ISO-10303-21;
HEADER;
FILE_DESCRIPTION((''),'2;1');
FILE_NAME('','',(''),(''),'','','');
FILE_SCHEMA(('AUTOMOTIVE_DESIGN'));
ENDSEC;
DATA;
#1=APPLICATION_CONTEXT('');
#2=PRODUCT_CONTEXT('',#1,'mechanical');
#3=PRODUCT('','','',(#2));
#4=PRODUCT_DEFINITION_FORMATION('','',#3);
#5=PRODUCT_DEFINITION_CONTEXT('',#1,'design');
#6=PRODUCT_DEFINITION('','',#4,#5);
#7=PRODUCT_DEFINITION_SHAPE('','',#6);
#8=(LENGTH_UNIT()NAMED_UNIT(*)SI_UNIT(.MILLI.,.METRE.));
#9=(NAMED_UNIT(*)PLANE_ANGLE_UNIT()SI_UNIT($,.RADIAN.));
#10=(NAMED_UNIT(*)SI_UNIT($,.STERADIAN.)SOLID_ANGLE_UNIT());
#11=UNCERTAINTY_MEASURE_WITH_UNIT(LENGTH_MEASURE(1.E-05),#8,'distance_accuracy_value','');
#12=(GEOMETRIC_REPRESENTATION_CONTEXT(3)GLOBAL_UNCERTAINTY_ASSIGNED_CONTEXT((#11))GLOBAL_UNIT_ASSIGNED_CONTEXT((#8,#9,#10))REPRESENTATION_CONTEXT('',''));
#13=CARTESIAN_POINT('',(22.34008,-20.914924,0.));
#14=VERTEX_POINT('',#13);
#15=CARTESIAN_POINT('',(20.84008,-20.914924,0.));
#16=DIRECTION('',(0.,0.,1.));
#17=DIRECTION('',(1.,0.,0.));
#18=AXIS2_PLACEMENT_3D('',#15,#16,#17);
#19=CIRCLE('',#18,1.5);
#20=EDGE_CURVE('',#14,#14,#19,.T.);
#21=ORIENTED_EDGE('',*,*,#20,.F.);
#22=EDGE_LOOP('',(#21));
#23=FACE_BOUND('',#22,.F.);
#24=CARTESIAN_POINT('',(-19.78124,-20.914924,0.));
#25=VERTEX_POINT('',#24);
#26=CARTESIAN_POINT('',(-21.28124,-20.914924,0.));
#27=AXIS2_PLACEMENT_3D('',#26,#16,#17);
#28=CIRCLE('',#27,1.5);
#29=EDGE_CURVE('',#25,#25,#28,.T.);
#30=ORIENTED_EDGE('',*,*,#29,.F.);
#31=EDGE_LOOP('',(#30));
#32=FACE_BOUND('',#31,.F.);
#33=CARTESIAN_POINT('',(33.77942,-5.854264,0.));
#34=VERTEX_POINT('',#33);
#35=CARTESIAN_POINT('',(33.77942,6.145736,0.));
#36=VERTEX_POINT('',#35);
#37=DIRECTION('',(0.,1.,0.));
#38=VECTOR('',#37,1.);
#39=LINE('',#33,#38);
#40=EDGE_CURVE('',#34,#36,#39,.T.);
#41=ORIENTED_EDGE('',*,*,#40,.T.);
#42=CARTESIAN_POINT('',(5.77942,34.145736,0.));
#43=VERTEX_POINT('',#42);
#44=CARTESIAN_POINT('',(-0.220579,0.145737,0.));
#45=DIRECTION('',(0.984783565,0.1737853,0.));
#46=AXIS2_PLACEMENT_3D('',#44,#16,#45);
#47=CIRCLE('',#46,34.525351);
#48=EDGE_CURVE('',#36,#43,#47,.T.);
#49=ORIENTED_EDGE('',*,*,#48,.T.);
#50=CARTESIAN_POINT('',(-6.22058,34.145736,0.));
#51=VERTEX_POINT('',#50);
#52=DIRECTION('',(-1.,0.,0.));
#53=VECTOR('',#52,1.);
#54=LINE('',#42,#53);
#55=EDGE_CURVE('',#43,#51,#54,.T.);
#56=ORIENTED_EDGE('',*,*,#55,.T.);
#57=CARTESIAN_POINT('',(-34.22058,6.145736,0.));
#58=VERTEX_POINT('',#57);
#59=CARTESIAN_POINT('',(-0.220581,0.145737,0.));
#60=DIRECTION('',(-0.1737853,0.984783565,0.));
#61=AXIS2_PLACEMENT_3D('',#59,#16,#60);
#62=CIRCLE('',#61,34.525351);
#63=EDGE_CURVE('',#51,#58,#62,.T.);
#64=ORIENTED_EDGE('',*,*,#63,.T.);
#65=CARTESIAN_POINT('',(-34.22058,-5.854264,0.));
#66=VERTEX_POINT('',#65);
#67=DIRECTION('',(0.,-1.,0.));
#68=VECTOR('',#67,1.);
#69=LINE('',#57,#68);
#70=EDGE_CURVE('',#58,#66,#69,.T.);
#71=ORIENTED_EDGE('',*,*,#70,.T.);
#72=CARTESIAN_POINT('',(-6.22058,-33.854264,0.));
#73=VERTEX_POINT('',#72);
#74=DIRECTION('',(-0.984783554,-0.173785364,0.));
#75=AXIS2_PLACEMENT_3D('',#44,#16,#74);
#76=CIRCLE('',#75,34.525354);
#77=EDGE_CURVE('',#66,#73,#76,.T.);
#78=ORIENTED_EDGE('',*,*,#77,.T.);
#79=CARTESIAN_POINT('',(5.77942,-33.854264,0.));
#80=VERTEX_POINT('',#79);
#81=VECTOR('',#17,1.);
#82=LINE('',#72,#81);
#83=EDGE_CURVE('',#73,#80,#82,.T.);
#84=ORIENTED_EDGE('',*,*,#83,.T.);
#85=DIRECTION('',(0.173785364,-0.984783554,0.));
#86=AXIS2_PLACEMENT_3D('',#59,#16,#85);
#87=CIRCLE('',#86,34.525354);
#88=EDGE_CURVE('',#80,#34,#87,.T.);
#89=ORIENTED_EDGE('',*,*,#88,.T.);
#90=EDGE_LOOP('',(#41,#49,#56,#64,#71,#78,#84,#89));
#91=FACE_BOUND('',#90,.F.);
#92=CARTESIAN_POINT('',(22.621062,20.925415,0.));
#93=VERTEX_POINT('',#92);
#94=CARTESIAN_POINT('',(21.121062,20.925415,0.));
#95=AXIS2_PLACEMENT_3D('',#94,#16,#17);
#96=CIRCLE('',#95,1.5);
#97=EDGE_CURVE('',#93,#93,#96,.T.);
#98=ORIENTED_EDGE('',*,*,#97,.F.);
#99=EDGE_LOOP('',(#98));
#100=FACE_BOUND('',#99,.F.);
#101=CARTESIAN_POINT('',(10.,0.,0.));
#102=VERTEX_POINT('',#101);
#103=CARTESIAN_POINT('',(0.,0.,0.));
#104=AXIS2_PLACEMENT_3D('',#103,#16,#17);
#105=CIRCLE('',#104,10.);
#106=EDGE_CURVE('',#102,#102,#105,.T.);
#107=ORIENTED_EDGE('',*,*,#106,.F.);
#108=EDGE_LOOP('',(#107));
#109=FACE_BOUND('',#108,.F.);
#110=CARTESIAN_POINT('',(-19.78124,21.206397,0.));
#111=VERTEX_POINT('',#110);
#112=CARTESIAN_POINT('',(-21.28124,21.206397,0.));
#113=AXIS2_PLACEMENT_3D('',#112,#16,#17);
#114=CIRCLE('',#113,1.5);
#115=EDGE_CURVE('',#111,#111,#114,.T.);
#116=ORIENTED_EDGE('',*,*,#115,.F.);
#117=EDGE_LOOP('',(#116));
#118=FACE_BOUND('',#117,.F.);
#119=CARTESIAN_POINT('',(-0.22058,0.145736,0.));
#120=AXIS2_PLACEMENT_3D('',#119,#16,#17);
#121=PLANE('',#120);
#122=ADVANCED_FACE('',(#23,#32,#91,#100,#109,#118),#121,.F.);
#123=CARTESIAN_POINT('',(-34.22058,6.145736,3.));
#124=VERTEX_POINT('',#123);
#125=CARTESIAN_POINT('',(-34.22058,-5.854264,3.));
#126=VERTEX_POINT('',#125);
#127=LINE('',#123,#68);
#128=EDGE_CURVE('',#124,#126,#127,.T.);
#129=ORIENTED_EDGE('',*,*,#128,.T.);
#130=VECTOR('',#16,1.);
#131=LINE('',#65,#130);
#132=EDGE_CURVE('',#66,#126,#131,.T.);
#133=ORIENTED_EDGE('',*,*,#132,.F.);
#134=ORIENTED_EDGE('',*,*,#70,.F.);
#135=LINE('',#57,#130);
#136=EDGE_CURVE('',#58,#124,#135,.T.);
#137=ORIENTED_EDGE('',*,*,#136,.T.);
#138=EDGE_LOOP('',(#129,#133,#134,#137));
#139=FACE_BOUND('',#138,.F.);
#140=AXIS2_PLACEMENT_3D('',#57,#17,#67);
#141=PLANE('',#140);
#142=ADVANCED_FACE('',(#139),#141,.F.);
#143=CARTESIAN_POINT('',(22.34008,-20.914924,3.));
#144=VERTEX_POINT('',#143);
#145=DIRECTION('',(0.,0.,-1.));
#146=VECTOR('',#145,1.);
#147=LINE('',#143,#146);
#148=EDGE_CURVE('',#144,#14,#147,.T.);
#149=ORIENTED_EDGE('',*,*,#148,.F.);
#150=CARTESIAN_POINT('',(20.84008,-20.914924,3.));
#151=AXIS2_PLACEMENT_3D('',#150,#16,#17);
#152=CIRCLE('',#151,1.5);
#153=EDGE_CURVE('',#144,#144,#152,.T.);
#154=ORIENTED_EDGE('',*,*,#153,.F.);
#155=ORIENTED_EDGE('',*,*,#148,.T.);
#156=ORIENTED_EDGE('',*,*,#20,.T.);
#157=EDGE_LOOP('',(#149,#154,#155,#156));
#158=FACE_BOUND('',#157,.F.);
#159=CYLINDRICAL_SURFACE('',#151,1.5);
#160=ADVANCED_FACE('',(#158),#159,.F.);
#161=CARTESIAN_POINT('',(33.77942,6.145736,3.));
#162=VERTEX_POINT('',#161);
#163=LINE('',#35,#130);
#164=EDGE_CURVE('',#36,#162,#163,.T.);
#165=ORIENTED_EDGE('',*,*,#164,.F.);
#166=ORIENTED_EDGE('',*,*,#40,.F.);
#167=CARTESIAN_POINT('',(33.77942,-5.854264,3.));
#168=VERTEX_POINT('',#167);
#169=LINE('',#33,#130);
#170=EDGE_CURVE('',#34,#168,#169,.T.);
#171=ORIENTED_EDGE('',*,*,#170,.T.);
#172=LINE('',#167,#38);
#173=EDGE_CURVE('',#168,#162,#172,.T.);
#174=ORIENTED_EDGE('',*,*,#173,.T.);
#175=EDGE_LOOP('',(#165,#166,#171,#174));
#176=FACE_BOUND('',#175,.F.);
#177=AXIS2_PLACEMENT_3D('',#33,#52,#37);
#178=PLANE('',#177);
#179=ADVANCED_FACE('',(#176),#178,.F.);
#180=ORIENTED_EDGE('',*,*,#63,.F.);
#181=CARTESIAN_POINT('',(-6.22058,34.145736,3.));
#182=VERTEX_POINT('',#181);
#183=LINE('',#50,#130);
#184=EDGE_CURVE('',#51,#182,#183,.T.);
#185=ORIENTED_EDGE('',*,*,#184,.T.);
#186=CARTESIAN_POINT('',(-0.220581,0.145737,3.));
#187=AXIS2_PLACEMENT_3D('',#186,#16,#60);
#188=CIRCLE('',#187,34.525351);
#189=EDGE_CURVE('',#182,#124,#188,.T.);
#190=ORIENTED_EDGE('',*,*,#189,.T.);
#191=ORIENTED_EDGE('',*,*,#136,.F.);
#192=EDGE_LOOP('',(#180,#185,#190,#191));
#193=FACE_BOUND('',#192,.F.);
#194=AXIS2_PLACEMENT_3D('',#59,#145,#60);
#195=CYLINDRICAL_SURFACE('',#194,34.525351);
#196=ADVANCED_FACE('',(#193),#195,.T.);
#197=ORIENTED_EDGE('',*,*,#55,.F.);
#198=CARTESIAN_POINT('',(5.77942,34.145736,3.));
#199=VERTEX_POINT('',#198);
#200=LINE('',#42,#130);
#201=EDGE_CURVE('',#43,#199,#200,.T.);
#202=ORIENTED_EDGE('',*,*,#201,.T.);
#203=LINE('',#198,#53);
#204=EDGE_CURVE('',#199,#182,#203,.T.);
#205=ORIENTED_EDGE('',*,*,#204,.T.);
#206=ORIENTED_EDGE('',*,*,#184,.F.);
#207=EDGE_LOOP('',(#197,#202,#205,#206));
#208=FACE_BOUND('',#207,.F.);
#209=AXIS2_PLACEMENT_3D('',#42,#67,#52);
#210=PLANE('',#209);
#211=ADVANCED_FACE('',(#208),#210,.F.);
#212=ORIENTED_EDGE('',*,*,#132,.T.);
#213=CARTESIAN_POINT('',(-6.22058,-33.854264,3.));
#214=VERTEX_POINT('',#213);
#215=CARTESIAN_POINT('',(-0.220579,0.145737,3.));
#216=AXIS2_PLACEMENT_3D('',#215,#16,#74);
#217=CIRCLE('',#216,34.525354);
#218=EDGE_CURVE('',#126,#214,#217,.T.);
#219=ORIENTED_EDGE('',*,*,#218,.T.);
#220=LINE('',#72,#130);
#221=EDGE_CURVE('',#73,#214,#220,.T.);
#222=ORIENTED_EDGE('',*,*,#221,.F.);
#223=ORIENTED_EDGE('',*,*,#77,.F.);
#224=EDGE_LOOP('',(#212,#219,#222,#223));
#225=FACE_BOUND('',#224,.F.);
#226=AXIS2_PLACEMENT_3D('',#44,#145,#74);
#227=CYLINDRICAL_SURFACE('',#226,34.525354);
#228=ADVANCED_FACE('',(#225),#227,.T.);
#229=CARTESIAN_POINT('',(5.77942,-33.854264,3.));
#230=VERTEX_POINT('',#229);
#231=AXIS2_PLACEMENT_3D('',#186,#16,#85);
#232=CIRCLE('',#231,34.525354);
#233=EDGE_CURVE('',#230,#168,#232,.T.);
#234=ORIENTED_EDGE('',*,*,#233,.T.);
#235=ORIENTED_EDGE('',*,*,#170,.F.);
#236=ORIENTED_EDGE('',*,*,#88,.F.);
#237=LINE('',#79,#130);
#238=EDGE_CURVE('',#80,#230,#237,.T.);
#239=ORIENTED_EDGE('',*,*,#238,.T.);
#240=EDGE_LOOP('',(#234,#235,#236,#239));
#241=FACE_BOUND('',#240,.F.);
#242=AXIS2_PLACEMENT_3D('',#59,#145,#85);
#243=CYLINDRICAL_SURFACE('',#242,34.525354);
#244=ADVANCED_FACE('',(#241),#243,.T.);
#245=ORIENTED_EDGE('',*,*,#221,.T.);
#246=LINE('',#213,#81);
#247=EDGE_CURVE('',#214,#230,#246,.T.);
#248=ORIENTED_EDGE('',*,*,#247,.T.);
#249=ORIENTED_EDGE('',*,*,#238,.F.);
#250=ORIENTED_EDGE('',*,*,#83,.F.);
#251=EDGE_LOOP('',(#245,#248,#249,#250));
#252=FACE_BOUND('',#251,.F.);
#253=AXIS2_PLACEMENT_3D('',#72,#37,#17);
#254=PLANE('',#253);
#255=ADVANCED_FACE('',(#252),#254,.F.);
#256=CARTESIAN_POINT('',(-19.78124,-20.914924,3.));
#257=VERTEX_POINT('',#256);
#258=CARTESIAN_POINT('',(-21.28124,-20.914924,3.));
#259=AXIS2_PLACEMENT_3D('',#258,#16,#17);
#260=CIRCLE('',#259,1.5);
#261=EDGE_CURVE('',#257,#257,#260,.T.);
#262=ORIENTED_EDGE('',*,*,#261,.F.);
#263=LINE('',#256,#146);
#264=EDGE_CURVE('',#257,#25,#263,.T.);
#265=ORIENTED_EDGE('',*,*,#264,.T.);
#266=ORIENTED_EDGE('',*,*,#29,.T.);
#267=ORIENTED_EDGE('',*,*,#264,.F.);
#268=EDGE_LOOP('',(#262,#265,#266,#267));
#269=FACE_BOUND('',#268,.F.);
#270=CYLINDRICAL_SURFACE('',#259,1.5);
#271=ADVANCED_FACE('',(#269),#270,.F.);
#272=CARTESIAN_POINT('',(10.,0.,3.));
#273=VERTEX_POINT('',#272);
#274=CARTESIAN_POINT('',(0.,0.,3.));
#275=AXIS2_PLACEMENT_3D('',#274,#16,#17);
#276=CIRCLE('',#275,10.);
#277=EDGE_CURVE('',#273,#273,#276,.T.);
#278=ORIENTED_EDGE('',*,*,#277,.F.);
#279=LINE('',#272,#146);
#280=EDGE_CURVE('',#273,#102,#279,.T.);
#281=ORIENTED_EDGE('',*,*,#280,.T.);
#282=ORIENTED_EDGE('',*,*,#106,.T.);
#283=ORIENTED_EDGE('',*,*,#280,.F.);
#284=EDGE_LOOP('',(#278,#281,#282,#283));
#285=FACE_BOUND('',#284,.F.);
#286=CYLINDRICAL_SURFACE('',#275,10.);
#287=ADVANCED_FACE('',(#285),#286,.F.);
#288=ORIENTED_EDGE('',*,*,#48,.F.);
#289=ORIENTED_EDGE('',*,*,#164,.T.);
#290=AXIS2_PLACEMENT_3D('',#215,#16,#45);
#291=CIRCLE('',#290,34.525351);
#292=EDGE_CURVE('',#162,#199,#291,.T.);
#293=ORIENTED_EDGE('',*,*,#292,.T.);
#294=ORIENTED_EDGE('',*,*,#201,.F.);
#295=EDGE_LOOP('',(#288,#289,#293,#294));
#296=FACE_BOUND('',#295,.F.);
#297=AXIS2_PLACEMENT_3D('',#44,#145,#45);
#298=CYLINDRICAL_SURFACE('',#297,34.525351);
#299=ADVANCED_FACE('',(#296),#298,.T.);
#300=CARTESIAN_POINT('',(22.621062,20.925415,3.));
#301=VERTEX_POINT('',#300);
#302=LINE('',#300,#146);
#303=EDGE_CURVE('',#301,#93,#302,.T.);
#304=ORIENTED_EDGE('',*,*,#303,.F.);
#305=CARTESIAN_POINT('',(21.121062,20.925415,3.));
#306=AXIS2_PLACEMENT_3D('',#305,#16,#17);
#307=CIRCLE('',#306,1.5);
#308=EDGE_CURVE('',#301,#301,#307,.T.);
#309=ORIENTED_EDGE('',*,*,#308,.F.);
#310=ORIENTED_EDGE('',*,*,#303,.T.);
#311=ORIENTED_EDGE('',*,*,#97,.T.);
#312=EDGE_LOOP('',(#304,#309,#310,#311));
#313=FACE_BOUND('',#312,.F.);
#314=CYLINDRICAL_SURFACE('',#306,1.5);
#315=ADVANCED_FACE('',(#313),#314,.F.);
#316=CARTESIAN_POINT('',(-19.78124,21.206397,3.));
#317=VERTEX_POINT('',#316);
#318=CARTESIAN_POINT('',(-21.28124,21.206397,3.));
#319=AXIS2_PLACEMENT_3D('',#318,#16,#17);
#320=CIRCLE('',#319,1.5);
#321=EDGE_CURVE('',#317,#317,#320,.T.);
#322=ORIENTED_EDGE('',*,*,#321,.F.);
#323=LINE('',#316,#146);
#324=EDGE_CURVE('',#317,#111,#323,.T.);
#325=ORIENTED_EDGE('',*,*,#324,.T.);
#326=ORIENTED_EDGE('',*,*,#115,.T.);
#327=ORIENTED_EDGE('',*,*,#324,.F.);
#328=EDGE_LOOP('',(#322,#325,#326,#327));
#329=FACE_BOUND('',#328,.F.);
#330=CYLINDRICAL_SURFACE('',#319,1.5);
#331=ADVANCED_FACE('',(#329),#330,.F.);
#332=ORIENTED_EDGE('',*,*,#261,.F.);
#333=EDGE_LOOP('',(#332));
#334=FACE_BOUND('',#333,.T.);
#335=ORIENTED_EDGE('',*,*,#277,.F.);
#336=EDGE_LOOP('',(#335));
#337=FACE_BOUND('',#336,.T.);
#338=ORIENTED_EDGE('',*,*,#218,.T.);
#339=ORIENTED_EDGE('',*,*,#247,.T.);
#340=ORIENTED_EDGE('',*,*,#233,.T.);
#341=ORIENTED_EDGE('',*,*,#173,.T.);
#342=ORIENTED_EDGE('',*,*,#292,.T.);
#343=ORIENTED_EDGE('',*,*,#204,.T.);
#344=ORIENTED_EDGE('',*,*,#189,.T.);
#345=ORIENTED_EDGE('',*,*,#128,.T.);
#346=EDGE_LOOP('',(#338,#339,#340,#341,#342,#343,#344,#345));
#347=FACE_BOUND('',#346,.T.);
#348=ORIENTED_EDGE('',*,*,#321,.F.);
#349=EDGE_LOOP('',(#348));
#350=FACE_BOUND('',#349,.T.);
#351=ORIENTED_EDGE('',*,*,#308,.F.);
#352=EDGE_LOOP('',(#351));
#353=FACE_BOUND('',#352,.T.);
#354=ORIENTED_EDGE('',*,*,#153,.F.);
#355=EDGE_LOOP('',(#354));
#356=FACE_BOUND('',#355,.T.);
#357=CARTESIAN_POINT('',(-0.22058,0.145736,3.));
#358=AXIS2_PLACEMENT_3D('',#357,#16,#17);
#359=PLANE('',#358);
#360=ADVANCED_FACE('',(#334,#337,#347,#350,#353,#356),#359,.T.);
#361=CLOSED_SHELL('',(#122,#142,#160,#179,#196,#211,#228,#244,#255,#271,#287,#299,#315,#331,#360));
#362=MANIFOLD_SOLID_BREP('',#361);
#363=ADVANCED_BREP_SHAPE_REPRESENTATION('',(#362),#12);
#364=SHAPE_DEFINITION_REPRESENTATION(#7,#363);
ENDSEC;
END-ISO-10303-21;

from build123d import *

# Parameters (mm, degrees)
F1_DEPTH = 3
F2_R     = 1.5
F2_R_2   = 10
F3_DEPTH = 25.4


with BuildPart() as f1:
    # F0 (on Top) → F1 (new body)
    with BuildSketch(Plane.XY):
        with BuildLine():
            Line((5.77942, 34.145736), (-6.22058, 34.145736))
            ThreePointArc((-6.22058, 34.145736), (-24.633691, 24.558848), (-34.22058, 6.145736))
            Line((-34.22058, 6.145736), (-34.22058, -5.854264))
            ThreePointArc((-34.22058, -5.854264), (-24.633691, -24.267375), (-6.22058, -33.854264))
            Line((-6.22058, -33.854264), (5.77942, -33.854264))
            ThreePointArc((5.77942, -33.854264), (24.192531, -24.267375), (33.77942, -5.854264))
            Line((33.77942, -5.854264), (33.77942, 6.145736))
            ThreePointArc((33.77942, 6.145736), (24.192531, 24.558848), (5.77942, 34.145736))
        make_face()
    extrude(amount=F1_DEPTH)

    # F2 (on face) → F3 (cut)
    with BuildSketch(Plane.XY.offset(3)):
        with Locations((21.121062, 20.925415)):
            Circle(F2_R)
        with Locations((-21.28124, 21.206397)):
            Circle(F2_R)
        with Locations((-21.28124, -20.914924)):
            Circle(F2_R)
        with Locations((20.84008, -20.914924)):
            Circle(F2_R)
        Circle(F2_R_2)
    extrude(amount=-F3_DEPTH, mode=Mode.SUBTRACT)


solid = f1.part
